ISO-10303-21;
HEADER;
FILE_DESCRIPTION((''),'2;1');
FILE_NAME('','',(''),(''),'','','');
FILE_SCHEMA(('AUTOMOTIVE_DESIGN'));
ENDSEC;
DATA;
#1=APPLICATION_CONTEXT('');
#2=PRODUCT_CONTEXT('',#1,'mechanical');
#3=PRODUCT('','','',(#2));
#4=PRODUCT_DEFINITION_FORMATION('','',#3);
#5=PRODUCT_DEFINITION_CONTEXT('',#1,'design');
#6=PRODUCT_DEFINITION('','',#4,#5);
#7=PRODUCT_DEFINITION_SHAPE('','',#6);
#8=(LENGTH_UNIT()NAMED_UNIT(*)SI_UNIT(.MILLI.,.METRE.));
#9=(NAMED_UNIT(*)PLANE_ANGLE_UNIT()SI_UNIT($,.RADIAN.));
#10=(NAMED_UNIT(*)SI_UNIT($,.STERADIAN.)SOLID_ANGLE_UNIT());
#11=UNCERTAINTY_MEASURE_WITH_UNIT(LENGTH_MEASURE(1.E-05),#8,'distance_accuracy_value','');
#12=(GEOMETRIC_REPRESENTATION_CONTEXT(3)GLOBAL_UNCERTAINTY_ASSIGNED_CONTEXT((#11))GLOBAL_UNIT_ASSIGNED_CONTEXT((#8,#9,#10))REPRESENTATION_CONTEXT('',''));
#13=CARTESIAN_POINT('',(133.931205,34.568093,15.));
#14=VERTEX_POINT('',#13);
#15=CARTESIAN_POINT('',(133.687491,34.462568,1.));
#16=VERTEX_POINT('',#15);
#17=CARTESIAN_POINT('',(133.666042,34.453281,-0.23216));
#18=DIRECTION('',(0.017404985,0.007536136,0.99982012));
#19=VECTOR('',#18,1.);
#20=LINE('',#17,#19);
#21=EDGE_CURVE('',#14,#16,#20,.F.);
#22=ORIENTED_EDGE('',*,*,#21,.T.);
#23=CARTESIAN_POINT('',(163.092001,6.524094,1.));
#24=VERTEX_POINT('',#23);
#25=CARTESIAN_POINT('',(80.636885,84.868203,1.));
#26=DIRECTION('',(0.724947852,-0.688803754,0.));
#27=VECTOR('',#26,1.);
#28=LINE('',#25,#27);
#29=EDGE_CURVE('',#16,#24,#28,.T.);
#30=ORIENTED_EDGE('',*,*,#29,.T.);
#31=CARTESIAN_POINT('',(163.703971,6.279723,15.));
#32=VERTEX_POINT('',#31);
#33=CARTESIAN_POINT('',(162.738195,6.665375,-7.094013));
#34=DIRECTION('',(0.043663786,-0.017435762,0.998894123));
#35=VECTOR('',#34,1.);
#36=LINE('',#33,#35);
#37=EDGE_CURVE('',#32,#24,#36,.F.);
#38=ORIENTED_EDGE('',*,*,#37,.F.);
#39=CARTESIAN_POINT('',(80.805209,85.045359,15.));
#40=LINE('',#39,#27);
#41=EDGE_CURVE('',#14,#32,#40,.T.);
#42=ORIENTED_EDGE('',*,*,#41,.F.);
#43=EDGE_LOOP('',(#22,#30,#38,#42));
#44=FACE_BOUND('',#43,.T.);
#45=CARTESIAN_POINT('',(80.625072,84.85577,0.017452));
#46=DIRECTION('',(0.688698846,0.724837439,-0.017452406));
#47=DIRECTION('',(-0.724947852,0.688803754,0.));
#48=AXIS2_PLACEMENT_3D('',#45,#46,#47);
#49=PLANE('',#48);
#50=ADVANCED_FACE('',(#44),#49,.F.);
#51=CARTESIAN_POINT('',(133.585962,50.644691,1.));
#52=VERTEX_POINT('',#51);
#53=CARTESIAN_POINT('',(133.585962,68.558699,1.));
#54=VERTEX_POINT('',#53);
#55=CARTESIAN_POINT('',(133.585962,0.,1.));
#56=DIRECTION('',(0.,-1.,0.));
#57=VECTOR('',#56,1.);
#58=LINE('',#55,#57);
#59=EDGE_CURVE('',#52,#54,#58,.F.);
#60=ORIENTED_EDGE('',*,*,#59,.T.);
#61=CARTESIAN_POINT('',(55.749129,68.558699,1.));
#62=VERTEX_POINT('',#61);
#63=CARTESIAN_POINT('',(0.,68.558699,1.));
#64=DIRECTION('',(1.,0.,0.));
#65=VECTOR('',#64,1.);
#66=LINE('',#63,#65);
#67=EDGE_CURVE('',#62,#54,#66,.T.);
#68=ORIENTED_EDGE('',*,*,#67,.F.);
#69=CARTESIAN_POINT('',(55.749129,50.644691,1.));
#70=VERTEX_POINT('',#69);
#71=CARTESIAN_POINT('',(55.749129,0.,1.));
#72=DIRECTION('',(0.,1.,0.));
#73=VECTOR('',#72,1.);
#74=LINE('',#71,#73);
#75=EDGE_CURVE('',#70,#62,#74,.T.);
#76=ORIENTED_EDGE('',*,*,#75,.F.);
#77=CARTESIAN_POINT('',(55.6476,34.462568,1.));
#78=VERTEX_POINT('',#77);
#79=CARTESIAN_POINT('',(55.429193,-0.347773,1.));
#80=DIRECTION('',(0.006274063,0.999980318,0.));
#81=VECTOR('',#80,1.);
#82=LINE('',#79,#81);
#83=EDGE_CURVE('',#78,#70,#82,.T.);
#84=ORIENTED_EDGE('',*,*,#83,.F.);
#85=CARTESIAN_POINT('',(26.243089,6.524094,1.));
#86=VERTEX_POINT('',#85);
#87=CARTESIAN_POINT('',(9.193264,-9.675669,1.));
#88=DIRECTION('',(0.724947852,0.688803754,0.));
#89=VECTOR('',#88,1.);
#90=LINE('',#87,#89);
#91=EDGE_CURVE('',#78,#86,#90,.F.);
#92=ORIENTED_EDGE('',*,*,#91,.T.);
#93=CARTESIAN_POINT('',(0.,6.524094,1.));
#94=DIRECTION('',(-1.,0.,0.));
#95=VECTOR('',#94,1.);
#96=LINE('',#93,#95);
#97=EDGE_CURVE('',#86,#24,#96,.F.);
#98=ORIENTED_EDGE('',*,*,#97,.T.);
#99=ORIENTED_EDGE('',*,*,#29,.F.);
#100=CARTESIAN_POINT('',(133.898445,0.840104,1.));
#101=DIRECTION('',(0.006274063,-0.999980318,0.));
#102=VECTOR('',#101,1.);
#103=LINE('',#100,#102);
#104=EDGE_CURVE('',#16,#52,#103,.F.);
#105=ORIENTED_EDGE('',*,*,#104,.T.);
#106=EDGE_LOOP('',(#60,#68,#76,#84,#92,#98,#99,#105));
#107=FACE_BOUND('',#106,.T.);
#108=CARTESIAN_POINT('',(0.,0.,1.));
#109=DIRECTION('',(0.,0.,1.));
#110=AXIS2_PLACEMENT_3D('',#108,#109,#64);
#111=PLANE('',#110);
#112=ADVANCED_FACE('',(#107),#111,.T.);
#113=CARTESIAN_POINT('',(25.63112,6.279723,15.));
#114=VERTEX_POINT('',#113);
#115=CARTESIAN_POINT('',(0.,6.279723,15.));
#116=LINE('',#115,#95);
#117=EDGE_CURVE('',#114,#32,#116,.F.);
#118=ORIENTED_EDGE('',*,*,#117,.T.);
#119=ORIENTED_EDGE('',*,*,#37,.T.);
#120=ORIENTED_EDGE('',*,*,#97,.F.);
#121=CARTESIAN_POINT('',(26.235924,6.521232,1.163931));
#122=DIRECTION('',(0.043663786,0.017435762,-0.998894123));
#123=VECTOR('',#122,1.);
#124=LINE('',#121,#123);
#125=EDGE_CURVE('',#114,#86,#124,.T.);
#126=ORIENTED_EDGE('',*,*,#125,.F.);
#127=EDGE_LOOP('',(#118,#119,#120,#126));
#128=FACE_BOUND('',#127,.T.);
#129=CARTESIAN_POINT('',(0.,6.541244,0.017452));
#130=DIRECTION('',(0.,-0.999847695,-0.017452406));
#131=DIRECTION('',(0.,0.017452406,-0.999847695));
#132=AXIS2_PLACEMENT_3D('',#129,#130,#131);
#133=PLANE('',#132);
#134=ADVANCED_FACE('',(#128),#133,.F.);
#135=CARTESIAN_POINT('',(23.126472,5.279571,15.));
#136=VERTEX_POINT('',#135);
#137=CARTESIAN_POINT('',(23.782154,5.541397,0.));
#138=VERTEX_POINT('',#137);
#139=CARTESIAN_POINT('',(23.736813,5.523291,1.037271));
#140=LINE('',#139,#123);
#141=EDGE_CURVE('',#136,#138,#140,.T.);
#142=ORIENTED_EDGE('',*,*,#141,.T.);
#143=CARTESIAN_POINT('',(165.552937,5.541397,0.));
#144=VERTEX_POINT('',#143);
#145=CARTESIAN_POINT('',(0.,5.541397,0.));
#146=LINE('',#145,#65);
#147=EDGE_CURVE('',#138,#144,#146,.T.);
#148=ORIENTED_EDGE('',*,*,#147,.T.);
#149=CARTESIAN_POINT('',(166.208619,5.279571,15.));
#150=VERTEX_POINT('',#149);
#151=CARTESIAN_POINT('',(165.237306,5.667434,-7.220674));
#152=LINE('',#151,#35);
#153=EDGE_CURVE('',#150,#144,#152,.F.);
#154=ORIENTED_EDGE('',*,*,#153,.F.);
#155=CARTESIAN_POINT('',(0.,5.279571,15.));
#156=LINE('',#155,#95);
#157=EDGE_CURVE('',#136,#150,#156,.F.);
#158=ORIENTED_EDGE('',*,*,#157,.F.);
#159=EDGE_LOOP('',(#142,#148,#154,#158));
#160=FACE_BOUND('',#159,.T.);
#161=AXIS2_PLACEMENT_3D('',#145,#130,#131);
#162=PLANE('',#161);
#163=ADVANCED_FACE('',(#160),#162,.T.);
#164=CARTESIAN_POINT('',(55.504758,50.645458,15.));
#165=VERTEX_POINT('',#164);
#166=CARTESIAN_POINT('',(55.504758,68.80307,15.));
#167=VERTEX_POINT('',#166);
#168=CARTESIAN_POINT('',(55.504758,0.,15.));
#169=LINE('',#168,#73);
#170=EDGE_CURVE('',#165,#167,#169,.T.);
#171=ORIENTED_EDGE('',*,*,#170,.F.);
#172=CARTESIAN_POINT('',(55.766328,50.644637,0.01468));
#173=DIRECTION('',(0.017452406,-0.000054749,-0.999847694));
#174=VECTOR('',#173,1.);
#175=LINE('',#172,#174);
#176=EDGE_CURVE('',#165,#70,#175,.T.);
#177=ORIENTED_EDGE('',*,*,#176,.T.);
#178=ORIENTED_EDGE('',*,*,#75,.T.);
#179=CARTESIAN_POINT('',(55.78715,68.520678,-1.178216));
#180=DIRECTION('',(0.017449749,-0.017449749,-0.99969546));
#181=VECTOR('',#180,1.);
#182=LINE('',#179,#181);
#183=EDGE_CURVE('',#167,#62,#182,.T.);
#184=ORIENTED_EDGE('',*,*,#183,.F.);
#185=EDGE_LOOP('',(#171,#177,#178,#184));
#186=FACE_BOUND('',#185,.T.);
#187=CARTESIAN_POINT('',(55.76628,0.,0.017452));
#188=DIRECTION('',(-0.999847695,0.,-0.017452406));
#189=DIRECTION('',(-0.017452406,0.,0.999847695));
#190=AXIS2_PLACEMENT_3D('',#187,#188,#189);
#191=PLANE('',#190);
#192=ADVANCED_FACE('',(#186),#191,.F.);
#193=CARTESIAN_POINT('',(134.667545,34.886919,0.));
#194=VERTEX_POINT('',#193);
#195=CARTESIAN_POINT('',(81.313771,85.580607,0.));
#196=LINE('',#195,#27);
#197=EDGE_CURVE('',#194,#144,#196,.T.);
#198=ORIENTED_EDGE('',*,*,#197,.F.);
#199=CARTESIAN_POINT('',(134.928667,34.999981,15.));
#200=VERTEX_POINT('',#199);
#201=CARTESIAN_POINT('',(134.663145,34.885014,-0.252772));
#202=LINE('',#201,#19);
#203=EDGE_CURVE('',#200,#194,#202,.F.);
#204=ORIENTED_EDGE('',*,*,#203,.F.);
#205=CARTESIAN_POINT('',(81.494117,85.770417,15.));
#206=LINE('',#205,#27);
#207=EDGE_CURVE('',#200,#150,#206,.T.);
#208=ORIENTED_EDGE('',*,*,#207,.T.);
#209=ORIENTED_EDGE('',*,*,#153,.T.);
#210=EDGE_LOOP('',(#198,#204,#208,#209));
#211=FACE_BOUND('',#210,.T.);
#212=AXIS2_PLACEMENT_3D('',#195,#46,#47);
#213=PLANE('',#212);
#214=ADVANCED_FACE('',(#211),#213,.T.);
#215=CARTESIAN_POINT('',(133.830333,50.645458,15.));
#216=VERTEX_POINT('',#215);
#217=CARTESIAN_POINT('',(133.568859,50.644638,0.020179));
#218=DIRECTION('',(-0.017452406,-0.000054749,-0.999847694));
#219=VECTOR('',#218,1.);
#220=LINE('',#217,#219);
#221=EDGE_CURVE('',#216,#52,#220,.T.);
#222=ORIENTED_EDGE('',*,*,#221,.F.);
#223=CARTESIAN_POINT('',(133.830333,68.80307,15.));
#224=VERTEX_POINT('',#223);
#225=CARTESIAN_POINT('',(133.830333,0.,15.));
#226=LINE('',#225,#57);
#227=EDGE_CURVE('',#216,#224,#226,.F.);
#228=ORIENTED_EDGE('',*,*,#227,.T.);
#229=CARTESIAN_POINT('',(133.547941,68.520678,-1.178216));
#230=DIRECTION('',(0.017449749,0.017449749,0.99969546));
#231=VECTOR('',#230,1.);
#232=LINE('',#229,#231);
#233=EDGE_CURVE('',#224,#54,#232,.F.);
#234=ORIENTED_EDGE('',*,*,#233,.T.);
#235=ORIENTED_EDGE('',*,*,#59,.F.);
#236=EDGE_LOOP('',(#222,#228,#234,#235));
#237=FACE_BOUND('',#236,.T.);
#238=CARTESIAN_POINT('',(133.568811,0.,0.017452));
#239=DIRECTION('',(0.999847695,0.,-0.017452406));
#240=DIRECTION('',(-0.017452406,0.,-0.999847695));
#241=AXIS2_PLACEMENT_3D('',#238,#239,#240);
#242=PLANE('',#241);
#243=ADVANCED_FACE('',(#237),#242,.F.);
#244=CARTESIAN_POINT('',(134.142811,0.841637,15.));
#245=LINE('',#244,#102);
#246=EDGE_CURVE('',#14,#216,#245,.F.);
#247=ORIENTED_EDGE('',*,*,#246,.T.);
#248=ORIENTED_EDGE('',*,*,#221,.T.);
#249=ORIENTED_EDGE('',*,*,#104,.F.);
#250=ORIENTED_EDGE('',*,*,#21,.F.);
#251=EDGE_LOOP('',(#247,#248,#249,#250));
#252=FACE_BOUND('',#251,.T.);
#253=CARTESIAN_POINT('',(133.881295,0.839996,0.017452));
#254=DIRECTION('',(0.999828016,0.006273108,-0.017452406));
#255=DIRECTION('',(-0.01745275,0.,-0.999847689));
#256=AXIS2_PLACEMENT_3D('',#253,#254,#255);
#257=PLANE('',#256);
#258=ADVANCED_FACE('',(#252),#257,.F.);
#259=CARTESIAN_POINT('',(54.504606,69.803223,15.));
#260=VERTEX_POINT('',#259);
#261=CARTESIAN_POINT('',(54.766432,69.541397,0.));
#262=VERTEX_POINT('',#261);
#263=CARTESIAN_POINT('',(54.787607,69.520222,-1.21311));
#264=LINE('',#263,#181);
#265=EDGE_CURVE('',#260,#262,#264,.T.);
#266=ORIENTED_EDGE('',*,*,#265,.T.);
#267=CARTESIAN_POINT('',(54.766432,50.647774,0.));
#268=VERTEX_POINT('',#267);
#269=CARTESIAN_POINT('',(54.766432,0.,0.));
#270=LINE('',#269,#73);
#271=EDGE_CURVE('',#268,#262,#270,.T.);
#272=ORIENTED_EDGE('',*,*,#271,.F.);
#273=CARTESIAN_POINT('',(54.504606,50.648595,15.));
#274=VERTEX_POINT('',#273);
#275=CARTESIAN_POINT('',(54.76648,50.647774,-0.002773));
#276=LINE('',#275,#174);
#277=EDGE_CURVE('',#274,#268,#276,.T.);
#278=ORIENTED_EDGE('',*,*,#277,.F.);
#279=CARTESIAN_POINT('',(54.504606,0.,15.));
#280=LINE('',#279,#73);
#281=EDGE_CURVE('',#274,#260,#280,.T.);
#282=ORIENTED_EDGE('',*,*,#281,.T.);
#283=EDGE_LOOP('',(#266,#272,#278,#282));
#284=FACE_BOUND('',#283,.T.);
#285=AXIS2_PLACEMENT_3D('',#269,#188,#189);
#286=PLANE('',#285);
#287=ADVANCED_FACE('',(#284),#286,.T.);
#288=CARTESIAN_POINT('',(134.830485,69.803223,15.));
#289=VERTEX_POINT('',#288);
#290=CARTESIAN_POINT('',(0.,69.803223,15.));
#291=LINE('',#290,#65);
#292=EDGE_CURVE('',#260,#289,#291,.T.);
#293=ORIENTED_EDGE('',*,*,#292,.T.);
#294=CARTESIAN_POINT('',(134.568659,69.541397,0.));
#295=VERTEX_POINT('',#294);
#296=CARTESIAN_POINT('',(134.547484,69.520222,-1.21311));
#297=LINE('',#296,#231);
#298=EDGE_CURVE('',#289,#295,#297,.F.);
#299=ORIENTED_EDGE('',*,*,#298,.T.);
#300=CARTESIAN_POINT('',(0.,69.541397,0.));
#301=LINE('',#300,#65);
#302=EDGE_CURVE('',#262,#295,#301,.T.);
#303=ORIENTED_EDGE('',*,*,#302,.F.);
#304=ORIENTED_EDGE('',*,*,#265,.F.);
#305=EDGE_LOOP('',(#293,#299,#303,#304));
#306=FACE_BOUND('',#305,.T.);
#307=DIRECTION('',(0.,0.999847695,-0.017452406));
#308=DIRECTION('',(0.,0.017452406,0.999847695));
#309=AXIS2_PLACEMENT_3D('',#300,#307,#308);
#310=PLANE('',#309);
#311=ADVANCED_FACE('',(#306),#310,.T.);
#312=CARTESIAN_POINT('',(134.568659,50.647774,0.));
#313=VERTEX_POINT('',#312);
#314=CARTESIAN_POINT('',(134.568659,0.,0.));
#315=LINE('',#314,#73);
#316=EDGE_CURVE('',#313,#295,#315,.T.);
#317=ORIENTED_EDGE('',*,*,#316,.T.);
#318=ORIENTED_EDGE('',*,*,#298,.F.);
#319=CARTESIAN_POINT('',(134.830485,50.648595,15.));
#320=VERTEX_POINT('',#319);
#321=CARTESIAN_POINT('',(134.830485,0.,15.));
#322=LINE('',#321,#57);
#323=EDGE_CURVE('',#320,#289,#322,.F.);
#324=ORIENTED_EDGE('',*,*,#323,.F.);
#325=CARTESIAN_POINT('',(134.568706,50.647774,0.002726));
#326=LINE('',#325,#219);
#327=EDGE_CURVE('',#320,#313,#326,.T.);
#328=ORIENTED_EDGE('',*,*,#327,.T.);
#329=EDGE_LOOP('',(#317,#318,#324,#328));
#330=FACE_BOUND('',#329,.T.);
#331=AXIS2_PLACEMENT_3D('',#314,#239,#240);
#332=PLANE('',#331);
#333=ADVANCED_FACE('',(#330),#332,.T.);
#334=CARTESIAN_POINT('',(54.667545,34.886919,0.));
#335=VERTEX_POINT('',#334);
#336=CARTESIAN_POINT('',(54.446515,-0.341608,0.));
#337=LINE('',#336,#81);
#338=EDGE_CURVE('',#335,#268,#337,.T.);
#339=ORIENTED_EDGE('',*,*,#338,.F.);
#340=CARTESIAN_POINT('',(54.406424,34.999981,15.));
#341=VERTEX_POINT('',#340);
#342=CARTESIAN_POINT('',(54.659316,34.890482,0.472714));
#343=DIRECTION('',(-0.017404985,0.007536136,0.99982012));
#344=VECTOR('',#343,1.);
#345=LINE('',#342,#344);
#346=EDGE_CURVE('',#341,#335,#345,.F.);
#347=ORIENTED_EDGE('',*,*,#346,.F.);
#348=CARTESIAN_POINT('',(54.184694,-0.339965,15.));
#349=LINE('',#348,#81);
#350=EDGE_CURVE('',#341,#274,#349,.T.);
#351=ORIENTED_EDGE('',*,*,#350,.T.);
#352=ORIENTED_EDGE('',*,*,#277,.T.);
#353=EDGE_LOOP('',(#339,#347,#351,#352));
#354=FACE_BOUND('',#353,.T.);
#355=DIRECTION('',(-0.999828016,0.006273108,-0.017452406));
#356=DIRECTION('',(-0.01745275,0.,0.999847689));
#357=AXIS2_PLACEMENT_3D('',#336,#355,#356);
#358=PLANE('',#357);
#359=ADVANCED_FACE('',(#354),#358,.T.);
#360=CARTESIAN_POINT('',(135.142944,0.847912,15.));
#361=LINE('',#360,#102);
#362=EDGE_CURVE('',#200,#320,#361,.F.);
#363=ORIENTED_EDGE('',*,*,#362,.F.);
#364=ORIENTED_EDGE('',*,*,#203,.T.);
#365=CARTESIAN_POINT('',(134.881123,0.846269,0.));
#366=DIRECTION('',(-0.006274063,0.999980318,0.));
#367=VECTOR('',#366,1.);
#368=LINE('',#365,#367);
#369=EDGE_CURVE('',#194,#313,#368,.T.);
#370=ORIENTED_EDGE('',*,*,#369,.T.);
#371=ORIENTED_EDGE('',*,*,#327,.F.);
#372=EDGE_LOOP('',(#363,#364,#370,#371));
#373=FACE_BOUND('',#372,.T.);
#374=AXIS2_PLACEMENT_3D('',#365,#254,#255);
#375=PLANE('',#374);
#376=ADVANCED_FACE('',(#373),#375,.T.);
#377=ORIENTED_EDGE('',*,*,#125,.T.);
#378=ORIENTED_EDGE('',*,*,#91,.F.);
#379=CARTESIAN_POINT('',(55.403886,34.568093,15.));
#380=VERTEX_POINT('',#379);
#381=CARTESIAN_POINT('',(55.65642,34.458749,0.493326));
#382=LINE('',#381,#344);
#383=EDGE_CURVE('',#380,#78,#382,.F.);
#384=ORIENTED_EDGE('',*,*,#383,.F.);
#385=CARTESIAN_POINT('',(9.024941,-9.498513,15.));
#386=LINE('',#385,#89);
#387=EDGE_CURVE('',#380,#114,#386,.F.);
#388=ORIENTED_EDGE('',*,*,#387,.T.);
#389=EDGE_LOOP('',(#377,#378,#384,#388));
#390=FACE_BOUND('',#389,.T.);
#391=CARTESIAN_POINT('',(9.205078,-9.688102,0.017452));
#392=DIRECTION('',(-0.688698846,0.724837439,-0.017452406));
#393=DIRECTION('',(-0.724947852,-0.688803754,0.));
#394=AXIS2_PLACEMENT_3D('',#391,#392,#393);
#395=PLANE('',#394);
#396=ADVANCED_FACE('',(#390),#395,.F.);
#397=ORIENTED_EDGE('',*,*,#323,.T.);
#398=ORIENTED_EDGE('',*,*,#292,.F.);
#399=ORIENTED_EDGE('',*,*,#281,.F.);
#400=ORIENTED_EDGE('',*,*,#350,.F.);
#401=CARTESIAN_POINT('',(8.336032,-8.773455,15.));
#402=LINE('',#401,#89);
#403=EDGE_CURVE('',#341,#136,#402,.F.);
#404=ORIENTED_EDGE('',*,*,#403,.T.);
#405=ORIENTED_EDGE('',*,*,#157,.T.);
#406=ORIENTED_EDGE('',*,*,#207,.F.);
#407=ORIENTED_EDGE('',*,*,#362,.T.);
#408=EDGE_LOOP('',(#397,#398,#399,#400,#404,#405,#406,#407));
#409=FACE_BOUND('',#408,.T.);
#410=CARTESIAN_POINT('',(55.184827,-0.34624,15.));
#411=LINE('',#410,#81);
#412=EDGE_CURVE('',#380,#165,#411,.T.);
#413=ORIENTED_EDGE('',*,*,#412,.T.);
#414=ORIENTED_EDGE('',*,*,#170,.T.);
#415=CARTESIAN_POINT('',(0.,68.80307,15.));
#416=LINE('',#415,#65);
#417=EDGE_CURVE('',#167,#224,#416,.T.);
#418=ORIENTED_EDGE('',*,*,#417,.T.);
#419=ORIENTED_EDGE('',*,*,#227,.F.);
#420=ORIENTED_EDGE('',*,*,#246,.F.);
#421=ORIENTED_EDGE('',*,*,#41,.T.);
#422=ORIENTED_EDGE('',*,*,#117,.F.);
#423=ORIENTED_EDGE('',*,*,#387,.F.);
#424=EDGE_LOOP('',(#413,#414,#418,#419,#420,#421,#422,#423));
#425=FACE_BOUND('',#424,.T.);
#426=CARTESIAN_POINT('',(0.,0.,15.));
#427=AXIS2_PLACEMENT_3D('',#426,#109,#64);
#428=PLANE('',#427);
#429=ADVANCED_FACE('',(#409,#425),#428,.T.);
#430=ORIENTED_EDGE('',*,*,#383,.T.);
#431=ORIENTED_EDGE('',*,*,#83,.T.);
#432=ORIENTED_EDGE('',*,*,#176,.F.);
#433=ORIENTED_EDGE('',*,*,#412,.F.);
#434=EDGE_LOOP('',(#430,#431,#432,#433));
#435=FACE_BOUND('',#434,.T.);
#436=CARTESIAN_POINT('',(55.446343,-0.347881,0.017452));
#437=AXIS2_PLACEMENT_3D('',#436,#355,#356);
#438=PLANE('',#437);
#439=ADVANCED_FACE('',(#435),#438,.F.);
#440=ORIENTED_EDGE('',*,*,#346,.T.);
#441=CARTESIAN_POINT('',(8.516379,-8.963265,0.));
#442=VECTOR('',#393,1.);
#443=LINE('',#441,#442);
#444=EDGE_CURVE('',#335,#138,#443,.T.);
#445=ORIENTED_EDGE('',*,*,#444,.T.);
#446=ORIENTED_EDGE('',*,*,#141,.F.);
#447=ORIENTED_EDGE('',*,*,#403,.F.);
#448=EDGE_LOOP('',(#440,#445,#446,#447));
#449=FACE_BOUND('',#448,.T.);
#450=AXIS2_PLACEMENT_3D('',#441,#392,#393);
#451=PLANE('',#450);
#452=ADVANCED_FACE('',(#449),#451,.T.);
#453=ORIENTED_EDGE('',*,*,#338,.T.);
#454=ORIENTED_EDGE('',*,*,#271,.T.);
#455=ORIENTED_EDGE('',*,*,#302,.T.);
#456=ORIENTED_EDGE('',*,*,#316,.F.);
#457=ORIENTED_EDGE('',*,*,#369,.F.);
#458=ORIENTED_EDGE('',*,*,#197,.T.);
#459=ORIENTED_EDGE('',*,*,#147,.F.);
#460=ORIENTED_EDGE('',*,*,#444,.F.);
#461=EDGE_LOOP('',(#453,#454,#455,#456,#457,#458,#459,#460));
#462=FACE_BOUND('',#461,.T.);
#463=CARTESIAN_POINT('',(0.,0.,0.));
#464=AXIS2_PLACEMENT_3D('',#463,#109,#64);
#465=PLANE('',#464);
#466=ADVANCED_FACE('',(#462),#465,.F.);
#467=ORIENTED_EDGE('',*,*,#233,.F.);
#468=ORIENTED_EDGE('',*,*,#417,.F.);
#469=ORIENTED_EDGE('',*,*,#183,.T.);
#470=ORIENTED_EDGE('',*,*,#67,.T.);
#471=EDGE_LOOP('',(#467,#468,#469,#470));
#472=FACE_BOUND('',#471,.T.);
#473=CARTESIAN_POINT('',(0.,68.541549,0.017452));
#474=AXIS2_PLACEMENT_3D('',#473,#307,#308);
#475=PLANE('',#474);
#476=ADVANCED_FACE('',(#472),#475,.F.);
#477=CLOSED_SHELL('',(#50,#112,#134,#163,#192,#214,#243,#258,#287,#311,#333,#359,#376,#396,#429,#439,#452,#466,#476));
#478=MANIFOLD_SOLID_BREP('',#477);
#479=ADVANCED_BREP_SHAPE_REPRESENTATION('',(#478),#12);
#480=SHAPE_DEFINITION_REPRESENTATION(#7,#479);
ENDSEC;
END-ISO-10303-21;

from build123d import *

# Parameters (mm, degrees)
BOSS_EXTRUDE1_DEPTH = 15
BOSS_EXTRUDE1_DRAFT = -1
SHELL1_T            = -1


with BuildPart() as part:
    # Sketch4 → Boss-Extrude1 (with draft: the straight prism first)
    with BuildSketch(Plane.XY):
        Polygon((134.568658859, 69.541396533), (54.766431957, 69.541396533), (54.766431957, 50.647773961), (54.667545408, 34.886919054), (23.782154036, 5.541396533), (165.55293678, 5.541396533), (134.667545408, 34.886919054), (134.568658859, 50.647773961), align=None)
    extrude(amount=BOSS_EXTRUDE1_DEPTH)
    # Boss-Extrude1: the draft: its side faces are tilted about the plane it starts from
    boss_extrude1_sides = [part.faces().sort_by_distance(p)[0] for p in [
        (94.667545408, 69.541396533, 7.5),
        (54.766431957, 60.094585247, 7.5),
        (54.716988683, 42.767346508, 7.5),
        (39.224849722, 20.214157793, 7.5),
        (94.667545408, 5.541396533, 7.5),
        (150.110241094, 20.214157793, 7.5),
        (134.618102134, 42.767346508, 7.5),
        (134.568658859, 60.094585247, 7.5),
    ]]
    draft(boss_extrude1_sides, Plane.XY, BOSS_EXTRUDE1_DRAFT)

    # Shell1
    shell1_openings = [part.faces().sort_by_distance(p)[0] for p in [
        (94.667545408, 34.129623645, 15),
    ]]
    offset(amount=SHELL1_T, openings=shell1_openings, kind=Kind.INTERSECTION)


solid = part.part
